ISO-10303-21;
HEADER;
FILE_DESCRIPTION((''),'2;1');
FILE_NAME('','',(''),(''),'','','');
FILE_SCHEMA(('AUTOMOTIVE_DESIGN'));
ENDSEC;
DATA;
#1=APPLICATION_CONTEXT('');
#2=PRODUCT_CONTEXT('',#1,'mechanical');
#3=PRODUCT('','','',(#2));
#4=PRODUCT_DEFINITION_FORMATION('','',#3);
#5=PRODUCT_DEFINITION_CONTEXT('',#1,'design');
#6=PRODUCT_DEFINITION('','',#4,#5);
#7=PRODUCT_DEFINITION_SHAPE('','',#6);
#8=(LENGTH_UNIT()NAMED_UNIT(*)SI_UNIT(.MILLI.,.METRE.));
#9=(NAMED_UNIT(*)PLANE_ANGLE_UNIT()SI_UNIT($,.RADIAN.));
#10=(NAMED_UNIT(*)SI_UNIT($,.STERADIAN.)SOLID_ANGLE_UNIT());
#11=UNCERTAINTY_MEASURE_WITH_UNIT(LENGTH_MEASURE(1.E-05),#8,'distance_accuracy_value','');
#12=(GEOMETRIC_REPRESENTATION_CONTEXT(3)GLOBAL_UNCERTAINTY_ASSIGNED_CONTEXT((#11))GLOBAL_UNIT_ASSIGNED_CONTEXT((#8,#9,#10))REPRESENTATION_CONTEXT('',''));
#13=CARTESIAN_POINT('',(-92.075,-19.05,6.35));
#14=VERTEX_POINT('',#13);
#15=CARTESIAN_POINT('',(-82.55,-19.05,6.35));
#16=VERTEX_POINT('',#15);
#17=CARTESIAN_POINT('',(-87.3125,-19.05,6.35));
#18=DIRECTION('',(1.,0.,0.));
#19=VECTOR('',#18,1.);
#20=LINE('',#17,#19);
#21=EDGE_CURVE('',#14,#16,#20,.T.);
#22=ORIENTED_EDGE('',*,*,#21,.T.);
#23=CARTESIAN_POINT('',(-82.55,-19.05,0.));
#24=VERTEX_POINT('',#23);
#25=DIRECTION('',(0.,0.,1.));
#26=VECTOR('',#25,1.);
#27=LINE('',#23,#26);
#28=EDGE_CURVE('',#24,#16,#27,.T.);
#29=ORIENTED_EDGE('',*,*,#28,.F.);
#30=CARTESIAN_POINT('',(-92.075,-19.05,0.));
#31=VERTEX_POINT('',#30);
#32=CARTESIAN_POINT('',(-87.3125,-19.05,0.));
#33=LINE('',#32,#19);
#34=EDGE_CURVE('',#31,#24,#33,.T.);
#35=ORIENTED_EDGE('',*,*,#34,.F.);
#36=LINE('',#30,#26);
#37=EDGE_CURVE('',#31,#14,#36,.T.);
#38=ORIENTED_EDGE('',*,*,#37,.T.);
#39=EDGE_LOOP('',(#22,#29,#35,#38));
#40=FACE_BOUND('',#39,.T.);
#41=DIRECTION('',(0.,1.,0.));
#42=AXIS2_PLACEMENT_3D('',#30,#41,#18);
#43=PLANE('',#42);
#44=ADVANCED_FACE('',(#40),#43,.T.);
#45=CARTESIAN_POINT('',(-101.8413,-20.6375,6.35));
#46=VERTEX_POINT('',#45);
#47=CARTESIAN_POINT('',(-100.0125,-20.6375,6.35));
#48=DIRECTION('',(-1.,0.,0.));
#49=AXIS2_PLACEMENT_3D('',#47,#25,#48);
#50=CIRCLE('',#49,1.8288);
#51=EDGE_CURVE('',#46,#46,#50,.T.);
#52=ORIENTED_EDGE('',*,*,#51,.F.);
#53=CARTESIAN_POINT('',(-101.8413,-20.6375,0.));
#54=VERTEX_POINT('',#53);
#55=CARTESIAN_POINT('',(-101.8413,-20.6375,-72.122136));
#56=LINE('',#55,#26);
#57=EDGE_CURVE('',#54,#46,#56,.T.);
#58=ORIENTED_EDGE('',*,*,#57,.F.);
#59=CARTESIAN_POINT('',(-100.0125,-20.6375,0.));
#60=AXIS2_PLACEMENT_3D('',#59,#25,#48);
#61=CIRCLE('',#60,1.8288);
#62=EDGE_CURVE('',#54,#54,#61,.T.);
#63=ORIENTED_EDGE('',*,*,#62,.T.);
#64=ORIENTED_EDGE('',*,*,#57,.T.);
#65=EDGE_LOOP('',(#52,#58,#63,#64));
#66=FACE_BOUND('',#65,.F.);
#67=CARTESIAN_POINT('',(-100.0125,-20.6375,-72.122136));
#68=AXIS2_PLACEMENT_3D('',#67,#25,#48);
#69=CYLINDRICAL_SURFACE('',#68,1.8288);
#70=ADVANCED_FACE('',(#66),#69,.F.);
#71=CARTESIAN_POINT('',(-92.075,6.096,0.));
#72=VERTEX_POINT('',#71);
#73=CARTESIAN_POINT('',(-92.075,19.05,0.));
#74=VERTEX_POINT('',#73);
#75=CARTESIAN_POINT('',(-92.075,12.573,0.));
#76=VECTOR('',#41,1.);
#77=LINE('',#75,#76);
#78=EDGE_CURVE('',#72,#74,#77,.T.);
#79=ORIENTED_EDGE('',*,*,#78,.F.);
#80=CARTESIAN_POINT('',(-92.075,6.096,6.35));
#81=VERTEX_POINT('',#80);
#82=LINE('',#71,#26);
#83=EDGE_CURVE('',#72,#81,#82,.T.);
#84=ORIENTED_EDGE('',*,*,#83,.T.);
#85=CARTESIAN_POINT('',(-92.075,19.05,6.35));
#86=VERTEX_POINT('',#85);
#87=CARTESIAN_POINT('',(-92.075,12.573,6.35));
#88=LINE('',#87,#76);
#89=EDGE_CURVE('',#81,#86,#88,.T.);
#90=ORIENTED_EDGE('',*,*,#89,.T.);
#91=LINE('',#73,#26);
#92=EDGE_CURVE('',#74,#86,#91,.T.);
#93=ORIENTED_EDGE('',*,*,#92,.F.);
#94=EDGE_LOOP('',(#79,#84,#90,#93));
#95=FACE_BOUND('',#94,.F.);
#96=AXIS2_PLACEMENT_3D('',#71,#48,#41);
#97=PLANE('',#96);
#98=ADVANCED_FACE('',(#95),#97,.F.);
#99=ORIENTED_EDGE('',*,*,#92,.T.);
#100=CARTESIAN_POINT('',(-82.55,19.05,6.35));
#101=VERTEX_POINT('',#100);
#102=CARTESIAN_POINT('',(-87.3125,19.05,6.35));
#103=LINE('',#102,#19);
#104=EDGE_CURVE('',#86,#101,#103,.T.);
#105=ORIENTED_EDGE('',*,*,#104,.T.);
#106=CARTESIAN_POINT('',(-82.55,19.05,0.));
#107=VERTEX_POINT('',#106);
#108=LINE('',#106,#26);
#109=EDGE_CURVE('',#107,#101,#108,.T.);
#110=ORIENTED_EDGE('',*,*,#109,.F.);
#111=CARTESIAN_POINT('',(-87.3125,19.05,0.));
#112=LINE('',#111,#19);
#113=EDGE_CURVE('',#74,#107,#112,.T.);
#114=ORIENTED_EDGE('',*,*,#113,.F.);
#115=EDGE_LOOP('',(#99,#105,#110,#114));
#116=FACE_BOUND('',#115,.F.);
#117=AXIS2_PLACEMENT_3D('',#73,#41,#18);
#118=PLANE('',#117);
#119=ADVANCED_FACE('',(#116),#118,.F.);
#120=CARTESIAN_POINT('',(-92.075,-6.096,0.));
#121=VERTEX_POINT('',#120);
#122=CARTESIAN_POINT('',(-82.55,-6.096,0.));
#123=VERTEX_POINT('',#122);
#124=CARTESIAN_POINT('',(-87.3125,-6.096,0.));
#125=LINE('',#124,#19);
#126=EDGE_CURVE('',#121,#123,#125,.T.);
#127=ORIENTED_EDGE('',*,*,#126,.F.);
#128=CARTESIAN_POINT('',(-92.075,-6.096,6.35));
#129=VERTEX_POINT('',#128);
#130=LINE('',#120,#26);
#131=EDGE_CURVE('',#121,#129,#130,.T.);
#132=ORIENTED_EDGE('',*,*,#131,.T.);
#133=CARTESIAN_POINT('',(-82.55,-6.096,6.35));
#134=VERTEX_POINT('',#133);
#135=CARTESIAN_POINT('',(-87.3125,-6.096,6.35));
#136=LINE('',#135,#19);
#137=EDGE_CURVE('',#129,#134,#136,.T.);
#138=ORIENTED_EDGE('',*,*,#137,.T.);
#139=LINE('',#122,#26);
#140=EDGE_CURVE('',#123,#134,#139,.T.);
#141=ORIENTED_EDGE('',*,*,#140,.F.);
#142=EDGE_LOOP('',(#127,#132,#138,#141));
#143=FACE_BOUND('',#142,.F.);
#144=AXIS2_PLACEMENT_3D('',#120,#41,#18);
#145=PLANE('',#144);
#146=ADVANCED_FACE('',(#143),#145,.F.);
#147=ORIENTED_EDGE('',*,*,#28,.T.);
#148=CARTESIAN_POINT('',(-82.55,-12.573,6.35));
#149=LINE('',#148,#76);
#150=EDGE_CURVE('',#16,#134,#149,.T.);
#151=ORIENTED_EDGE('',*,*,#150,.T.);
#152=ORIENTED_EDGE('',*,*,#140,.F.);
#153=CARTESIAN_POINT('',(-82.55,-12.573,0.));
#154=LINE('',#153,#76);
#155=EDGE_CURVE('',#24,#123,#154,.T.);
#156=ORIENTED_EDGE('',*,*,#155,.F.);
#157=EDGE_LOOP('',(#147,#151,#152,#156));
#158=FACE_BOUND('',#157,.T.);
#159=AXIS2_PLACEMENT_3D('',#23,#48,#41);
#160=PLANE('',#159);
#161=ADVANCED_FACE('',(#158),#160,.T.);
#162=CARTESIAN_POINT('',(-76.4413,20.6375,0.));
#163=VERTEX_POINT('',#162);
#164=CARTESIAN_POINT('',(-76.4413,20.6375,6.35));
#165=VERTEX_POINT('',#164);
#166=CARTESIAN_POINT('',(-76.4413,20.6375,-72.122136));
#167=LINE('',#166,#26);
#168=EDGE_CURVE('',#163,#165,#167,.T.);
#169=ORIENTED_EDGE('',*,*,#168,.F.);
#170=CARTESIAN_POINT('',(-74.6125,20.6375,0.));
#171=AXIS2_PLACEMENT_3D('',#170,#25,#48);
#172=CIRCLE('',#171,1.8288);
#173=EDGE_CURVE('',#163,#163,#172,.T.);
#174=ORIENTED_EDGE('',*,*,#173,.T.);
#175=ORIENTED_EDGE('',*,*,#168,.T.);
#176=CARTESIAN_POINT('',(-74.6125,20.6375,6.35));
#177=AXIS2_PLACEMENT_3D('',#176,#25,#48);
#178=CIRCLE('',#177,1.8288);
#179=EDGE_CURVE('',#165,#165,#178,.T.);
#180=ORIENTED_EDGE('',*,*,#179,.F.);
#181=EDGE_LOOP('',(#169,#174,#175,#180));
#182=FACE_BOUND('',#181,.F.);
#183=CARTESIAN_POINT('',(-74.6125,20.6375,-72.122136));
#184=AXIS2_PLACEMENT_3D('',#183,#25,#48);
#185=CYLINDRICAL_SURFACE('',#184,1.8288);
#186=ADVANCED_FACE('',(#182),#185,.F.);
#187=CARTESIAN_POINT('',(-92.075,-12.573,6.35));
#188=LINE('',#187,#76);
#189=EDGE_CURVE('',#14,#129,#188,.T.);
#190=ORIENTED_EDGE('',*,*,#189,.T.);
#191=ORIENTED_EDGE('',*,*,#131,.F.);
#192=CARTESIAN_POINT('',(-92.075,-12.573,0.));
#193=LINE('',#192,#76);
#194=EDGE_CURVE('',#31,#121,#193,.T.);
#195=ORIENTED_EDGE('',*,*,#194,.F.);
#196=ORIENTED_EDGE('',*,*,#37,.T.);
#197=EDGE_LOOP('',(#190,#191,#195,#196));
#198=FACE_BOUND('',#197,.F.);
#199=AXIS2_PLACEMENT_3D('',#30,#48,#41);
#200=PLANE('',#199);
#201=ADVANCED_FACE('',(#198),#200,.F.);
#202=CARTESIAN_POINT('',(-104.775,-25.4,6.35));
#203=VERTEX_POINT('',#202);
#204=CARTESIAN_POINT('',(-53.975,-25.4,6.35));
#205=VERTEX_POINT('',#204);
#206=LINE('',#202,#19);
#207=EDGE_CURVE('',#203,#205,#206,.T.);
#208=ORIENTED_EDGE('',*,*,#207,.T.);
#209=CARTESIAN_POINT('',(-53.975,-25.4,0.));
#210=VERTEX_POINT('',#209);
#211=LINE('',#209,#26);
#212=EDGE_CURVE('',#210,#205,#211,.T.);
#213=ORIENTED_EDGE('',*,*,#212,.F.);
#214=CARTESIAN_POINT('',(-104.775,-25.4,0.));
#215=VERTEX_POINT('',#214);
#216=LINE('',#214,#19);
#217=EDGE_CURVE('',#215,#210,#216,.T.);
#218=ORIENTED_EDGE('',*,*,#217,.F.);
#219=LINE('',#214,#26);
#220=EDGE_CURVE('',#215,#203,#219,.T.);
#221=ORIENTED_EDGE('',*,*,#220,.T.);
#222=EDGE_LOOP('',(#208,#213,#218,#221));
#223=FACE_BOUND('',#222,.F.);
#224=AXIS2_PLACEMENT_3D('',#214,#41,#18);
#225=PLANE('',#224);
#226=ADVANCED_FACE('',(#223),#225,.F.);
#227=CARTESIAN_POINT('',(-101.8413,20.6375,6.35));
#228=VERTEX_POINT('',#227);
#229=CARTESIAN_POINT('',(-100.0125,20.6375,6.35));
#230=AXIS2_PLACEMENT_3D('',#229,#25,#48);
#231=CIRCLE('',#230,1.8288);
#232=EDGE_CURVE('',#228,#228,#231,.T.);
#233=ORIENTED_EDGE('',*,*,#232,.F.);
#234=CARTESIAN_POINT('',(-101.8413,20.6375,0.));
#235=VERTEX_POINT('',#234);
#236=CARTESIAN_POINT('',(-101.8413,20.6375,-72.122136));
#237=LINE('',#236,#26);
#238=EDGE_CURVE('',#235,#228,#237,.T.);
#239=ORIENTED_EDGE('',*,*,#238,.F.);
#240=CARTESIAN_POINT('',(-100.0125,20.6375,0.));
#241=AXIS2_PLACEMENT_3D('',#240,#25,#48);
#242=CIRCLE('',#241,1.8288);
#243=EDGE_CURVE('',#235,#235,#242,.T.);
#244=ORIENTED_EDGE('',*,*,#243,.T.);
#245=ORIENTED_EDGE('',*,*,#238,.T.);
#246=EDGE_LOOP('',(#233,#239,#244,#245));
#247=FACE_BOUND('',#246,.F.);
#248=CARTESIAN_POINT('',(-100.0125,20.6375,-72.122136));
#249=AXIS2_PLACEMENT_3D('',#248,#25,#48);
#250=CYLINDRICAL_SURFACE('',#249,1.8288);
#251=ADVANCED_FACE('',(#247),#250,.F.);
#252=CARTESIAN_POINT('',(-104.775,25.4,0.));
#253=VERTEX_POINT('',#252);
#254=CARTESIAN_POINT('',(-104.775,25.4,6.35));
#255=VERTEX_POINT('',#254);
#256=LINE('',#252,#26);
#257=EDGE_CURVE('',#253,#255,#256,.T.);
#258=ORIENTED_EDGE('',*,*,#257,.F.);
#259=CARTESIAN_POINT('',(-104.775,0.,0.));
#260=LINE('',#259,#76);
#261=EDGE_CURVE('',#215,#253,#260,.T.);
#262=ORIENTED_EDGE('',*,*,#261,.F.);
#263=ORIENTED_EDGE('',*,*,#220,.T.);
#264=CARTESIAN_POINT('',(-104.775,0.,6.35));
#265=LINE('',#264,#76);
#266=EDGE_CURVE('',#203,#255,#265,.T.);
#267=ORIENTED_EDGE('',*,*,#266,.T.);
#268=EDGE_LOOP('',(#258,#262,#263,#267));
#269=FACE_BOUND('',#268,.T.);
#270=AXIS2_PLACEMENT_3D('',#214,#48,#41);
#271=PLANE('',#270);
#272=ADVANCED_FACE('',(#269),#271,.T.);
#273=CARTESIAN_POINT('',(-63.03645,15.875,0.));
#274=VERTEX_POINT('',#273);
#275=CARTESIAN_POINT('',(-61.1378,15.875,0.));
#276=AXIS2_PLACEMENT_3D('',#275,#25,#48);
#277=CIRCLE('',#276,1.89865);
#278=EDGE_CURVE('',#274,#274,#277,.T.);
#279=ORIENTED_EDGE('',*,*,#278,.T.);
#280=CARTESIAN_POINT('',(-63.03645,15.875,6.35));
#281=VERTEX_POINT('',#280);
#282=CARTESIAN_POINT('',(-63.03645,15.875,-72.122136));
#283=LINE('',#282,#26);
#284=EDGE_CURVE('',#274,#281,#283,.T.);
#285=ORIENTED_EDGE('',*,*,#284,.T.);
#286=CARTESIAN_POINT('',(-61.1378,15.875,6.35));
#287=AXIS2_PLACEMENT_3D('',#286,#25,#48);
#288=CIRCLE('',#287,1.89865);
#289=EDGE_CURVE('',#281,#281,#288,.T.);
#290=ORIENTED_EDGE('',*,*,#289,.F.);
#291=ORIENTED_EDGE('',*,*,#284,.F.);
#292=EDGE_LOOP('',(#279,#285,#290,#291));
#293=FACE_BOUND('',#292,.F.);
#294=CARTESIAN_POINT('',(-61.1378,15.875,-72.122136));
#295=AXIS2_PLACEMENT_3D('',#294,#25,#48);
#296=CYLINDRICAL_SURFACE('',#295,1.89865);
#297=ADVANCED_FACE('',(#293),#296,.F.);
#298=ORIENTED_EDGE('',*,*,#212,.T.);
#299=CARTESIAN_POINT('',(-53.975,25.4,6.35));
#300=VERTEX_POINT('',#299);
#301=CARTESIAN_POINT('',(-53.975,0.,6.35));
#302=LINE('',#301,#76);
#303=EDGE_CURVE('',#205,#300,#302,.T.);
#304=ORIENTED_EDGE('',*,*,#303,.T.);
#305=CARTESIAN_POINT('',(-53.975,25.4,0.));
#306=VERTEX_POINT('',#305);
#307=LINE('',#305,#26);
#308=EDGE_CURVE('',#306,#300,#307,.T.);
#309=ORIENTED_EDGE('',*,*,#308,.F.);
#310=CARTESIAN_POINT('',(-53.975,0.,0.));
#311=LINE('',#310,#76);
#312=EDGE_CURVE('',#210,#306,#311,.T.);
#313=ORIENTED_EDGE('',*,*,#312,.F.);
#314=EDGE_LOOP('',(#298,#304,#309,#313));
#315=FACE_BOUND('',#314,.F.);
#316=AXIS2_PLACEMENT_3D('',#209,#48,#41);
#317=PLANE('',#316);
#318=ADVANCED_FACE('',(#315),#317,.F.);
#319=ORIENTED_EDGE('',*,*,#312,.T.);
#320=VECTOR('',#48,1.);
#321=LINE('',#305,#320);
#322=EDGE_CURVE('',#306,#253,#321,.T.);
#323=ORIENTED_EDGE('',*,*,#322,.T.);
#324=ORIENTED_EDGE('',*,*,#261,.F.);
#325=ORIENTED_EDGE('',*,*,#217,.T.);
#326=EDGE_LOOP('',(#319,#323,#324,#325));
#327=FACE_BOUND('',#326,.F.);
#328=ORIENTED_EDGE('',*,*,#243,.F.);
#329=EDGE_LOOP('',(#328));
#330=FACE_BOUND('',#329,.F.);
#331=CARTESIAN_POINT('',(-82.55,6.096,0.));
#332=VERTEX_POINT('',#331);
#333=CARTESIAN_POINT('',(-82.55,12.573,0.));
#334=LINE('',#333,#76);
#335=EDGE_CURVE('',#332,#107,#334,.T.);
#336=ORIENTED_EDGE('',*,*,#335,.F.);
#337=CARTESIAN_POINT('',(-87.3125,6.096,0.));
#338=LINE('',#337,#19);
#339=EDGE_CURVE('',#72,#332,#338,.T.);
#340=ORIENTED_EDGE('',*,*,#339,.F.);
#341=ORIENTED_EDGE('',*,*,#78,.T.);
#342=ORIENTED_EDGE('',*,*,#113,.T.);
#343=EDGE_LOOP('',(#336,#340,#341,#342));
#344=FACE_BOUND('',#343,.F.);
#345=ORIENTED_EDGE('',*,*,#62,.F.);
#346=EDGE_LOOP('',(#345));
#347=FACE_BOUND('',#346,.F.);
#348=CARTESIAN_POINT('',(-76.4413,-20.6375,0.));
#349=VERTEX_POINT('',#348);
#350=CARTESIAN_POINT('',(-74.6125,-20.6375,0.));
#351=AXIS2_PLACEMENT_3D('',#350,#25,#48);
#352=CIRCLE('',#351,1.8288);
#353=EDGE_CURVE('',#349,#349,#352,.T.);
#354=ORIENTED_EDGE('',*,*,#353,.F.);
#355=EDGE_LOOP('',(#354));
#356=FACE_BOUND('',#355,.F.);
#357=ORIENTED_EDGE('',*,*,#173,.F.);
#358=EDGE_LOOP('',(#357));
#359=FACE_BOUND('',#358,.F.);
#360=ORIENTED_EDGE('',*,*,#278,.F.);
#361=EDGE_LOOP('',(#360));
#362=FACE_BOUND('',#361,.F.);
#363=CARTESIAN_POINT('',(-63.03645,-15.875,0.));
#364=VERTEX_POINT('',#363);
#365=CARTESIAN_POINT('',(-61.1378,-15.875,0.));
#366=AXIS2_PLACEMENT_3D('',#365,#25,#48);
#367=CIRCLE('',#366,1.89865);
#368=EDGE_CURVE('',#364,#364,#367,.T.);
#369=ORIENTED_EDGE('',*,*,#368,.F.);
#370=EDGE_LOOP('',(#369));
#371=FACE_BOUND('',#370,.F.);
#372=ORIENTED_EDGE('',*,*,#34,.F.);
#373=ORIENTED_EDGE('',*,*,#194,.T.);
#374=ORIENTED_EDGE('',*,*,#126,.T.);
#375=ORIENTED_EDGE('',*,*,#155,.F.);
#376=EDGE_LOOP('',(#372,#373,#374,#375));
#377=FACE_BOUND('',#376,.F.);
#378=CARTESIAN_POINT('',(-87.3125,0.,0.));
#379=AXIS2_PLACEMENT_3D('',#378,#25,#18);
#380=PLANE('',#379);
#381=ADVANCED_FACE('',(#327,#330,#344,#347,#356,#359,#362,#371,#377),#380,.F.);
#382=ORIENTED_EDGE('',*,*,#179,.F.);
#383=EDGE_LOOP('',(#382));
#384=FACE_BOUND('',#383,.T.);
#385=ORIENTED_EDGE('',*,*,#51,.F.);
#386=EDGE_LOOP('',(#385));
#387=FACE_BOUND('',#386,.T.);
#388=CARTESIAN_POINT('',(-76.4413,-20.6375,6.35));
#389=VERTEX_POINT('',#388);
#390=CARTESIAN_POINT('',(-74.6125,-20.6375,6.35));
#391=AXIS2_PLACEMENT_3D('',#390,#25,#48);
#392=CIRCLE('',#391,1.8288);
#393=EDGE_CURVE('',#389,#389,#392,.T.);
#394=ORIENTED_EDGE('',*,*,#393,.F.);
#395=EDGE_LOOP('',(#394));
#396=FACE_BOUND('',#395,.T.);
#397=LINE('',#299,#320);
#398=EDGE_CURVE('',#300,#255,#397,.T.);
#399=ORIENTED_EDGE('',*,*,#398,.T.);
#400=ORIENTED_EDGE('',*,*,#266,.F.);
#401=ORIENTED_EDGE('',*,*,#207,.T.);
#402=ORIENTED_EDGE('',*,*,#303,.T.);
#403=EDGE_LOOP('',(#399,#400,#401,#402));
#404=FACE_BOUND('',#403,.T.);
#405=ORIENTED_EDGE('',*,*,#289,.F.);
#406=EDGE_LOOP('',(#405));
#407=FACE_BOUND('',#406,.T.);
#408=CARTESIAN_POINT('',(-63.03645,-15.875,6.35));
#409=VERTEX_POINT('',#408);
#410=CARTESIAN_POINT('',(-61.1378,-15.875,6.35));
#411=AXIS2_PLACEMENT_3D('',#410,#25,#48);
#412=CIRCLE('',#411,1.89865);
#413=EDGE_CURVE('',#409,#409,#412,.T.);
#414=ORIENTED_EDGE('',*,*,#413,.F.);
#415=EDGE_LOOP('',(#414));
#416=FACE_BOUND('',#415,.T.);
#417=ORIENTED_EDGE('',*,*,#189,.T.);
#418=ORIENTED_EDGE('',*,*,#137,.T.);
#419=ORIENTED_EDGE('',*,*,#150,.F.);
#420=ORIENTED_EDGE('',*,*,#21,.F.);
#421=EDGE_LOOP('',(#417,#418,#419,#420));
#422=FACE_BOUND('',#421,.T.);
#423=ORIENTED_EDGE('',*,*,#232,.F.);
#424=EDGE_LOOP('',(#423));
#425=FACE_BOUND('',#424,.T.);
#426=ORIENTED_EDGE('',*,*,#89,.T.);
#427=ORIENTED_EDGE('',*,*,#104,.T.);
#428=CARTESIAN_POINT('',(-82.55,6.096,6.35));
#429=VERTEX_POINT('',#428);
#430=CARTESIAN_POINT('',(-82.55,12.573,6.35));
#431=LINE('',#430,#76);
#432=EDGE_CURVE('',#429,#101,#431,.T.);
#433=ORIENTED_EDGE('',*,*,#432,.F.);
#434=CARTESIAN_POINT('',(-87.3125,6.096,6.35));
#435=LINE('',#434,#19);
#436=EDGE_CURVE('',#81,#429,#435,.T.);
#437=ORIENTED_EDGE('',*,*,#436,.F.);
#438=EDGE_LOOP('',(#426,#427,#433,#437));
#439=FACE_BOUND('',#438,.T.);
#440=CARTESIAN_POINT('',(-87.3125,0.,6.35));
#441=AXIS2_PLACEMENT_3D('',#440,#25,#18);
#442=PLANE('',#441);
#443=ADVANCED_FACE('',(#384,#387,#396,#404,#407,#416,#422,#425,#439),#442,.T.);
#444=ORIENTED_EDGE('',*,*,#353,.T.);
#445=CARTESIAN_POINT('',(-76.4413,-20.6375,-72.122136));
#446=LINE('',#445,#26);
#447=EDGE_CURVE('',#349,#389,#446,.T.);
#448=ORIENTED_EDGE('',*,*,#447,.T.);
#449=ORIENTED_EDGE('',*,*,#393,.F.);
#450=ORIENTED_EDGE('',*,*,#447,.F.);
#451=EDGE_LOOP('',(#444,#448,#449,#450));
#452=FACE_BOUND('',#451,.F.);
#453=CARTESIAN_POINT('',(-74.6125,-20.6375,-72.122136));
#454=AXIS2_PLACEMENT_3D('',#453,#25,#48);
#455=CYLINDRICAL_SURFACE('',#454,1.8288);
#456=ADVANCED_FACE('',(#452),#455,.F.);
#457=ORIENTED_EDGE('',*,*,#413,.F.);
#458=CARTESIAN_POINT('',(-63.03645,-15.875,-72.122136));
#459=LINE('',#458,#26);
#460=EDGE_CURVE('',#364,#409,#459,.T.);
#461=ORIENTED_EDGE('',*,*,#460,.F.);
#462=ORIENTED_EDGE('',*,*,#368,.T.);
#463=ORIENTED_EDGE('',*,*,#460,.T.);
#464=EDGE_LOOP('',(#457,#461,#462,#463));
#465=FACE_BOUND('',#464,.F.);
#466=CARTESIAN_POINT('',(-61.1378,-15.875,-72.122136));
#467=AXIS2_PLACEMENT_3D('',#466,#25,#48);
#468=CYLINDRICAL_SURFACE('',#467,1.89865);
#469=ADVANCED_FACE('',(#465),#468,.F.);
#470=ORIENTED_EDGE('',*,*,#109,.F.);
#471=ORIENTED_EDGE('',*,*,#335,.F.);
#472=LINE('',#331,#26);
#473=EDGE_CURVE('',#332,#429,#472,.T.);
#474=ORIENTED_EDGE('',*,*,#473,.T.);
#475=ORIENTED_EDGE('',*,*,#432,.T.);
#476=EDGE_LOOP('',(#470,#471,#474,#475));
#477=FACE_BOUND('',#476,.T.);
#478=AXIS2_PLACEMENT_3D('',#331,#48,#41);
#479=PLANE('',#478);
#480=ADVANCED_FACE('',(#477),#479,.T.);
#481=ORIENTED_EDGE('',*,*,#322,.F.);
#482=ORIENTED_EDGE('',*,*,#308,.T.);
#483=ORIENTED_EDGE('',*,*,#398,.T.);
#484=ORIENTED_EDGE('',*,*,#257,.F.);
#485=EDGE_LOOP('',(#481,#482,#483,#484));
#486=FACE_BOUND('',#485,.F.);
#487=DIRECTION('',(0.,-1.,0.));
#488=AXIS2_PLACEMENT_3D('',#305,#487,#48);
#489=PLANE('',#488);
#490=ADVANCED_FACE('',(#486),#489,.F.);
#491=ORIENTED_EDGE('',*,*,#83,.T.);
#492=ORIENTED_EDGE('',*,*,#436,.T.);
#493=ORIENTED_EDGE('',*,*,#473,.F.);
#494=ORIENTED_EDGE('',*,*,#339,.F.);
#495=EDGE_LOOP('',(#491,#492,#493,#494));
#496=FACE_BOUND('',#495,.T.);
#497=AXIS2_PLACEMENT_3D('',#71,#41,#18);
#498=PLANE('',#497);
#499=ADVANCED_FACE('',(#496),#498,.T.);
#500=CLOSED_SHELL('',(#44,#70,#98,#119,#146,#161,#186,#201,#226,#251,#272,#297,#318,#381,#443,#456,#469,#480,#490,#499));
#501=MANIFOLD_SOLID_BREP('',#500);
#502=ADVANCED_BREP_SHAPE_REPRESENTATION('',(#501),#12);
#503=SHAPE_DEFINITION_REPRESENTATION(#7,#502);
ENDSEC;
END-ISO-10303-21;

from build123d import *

# Parameters (mm, degrees)
F0_W     = 34.925
F0_H     = 50.8
F0_R     = 1.8288
F0_W_2   = 9.525
F0_H_2   = 12.954
F0_W_3   = 15.875
F0_R_2   = 1.5875
F1_DEPTH = 6.35
F2_D     = 3.6576
F3_D     = 3.7973


with BuildPart() as f1:
    # F0 (on Top) → F1 (new body)
    with BuildSketch(Plane.XY):
        with Locations((-87.3125, 0)):
            Rectangle(F0_W, F0_H)
        with Locations((-100.0125, -20.6375)):
            Circle(F0_R, mode=Mode.SUBTRACT)
        with Locations((-87.3125, -12.573)):
            Rectangle(F0_W_2, F0_H_2, mode=Mode.SUBTRACT)
        with Locations((-74.6125, -20.6375)):
            Circle(F0_R, mode=Mode.SUBTRACT)
        with Locations((-87.3125, 12.573)):
            Rectangle(F0_W_2, F0_H_2, mode=Mode.SUBTRACT)
        with Locations((-100.0125, 20.6375)):
            Circle(F0_R, mode=Mode.SUBTRACT)
        with Locations((-74.6125, 20.6375)):
            Circle(F0_R, mode=Mode.SUBTRACT)
        with Locations((-61.9125, 0)):
            Rectangle(F0_W_3, F0_H)
        with Locations((-61.1378, -15.875)):
            Circle(F0_R_2, mode=Mode.SUBTRACT)
        with Locations((-61.1378, 15.875)):
            Circle(F0_R_2, mode=Mode.SUBTRACT)
        with Locations((-100.0125, -20.6375)):
            Circle(F0_R)
        with Locations((-100.0125, 20.6375)):
            Circle(F0_R)
        with Locations((-74.6125, 20.6375)):
            Circle(F0_R)
        with Locations((-74.6125, -20.6375)):
            Circle(F0_R)
        with Locations((-61.1378, 15.875)):
            Circle(F0_R_2)
        with Locations((-61.1378, -15.875)):
            Circle(F0_R_2)
    extrude(amount=F1_DEPTH)

    # F2 (through all)
    with Locations(Plane(origin=(0, 0, 0), x_dir=(1, 0, 0), z_dir=(0, 0, -1))):
        with Locations((-100.0125, -20.6375), (-74.6125, -20.6375), (-74.6125, 20.6375), (-100.0125, 20.6375)):
            Hole(F2_D / 2)

    # F3 (through all)
    with Locations(Plane(origin=(0, 0, 0), x_dir=(1, 0, 0), z_dir=(0, 0, -1))):
        with Locations((-61.1378, 15.875), (-61.1378, -15.875)):
            Hole(F3_D / 2)


solid = f1.part
